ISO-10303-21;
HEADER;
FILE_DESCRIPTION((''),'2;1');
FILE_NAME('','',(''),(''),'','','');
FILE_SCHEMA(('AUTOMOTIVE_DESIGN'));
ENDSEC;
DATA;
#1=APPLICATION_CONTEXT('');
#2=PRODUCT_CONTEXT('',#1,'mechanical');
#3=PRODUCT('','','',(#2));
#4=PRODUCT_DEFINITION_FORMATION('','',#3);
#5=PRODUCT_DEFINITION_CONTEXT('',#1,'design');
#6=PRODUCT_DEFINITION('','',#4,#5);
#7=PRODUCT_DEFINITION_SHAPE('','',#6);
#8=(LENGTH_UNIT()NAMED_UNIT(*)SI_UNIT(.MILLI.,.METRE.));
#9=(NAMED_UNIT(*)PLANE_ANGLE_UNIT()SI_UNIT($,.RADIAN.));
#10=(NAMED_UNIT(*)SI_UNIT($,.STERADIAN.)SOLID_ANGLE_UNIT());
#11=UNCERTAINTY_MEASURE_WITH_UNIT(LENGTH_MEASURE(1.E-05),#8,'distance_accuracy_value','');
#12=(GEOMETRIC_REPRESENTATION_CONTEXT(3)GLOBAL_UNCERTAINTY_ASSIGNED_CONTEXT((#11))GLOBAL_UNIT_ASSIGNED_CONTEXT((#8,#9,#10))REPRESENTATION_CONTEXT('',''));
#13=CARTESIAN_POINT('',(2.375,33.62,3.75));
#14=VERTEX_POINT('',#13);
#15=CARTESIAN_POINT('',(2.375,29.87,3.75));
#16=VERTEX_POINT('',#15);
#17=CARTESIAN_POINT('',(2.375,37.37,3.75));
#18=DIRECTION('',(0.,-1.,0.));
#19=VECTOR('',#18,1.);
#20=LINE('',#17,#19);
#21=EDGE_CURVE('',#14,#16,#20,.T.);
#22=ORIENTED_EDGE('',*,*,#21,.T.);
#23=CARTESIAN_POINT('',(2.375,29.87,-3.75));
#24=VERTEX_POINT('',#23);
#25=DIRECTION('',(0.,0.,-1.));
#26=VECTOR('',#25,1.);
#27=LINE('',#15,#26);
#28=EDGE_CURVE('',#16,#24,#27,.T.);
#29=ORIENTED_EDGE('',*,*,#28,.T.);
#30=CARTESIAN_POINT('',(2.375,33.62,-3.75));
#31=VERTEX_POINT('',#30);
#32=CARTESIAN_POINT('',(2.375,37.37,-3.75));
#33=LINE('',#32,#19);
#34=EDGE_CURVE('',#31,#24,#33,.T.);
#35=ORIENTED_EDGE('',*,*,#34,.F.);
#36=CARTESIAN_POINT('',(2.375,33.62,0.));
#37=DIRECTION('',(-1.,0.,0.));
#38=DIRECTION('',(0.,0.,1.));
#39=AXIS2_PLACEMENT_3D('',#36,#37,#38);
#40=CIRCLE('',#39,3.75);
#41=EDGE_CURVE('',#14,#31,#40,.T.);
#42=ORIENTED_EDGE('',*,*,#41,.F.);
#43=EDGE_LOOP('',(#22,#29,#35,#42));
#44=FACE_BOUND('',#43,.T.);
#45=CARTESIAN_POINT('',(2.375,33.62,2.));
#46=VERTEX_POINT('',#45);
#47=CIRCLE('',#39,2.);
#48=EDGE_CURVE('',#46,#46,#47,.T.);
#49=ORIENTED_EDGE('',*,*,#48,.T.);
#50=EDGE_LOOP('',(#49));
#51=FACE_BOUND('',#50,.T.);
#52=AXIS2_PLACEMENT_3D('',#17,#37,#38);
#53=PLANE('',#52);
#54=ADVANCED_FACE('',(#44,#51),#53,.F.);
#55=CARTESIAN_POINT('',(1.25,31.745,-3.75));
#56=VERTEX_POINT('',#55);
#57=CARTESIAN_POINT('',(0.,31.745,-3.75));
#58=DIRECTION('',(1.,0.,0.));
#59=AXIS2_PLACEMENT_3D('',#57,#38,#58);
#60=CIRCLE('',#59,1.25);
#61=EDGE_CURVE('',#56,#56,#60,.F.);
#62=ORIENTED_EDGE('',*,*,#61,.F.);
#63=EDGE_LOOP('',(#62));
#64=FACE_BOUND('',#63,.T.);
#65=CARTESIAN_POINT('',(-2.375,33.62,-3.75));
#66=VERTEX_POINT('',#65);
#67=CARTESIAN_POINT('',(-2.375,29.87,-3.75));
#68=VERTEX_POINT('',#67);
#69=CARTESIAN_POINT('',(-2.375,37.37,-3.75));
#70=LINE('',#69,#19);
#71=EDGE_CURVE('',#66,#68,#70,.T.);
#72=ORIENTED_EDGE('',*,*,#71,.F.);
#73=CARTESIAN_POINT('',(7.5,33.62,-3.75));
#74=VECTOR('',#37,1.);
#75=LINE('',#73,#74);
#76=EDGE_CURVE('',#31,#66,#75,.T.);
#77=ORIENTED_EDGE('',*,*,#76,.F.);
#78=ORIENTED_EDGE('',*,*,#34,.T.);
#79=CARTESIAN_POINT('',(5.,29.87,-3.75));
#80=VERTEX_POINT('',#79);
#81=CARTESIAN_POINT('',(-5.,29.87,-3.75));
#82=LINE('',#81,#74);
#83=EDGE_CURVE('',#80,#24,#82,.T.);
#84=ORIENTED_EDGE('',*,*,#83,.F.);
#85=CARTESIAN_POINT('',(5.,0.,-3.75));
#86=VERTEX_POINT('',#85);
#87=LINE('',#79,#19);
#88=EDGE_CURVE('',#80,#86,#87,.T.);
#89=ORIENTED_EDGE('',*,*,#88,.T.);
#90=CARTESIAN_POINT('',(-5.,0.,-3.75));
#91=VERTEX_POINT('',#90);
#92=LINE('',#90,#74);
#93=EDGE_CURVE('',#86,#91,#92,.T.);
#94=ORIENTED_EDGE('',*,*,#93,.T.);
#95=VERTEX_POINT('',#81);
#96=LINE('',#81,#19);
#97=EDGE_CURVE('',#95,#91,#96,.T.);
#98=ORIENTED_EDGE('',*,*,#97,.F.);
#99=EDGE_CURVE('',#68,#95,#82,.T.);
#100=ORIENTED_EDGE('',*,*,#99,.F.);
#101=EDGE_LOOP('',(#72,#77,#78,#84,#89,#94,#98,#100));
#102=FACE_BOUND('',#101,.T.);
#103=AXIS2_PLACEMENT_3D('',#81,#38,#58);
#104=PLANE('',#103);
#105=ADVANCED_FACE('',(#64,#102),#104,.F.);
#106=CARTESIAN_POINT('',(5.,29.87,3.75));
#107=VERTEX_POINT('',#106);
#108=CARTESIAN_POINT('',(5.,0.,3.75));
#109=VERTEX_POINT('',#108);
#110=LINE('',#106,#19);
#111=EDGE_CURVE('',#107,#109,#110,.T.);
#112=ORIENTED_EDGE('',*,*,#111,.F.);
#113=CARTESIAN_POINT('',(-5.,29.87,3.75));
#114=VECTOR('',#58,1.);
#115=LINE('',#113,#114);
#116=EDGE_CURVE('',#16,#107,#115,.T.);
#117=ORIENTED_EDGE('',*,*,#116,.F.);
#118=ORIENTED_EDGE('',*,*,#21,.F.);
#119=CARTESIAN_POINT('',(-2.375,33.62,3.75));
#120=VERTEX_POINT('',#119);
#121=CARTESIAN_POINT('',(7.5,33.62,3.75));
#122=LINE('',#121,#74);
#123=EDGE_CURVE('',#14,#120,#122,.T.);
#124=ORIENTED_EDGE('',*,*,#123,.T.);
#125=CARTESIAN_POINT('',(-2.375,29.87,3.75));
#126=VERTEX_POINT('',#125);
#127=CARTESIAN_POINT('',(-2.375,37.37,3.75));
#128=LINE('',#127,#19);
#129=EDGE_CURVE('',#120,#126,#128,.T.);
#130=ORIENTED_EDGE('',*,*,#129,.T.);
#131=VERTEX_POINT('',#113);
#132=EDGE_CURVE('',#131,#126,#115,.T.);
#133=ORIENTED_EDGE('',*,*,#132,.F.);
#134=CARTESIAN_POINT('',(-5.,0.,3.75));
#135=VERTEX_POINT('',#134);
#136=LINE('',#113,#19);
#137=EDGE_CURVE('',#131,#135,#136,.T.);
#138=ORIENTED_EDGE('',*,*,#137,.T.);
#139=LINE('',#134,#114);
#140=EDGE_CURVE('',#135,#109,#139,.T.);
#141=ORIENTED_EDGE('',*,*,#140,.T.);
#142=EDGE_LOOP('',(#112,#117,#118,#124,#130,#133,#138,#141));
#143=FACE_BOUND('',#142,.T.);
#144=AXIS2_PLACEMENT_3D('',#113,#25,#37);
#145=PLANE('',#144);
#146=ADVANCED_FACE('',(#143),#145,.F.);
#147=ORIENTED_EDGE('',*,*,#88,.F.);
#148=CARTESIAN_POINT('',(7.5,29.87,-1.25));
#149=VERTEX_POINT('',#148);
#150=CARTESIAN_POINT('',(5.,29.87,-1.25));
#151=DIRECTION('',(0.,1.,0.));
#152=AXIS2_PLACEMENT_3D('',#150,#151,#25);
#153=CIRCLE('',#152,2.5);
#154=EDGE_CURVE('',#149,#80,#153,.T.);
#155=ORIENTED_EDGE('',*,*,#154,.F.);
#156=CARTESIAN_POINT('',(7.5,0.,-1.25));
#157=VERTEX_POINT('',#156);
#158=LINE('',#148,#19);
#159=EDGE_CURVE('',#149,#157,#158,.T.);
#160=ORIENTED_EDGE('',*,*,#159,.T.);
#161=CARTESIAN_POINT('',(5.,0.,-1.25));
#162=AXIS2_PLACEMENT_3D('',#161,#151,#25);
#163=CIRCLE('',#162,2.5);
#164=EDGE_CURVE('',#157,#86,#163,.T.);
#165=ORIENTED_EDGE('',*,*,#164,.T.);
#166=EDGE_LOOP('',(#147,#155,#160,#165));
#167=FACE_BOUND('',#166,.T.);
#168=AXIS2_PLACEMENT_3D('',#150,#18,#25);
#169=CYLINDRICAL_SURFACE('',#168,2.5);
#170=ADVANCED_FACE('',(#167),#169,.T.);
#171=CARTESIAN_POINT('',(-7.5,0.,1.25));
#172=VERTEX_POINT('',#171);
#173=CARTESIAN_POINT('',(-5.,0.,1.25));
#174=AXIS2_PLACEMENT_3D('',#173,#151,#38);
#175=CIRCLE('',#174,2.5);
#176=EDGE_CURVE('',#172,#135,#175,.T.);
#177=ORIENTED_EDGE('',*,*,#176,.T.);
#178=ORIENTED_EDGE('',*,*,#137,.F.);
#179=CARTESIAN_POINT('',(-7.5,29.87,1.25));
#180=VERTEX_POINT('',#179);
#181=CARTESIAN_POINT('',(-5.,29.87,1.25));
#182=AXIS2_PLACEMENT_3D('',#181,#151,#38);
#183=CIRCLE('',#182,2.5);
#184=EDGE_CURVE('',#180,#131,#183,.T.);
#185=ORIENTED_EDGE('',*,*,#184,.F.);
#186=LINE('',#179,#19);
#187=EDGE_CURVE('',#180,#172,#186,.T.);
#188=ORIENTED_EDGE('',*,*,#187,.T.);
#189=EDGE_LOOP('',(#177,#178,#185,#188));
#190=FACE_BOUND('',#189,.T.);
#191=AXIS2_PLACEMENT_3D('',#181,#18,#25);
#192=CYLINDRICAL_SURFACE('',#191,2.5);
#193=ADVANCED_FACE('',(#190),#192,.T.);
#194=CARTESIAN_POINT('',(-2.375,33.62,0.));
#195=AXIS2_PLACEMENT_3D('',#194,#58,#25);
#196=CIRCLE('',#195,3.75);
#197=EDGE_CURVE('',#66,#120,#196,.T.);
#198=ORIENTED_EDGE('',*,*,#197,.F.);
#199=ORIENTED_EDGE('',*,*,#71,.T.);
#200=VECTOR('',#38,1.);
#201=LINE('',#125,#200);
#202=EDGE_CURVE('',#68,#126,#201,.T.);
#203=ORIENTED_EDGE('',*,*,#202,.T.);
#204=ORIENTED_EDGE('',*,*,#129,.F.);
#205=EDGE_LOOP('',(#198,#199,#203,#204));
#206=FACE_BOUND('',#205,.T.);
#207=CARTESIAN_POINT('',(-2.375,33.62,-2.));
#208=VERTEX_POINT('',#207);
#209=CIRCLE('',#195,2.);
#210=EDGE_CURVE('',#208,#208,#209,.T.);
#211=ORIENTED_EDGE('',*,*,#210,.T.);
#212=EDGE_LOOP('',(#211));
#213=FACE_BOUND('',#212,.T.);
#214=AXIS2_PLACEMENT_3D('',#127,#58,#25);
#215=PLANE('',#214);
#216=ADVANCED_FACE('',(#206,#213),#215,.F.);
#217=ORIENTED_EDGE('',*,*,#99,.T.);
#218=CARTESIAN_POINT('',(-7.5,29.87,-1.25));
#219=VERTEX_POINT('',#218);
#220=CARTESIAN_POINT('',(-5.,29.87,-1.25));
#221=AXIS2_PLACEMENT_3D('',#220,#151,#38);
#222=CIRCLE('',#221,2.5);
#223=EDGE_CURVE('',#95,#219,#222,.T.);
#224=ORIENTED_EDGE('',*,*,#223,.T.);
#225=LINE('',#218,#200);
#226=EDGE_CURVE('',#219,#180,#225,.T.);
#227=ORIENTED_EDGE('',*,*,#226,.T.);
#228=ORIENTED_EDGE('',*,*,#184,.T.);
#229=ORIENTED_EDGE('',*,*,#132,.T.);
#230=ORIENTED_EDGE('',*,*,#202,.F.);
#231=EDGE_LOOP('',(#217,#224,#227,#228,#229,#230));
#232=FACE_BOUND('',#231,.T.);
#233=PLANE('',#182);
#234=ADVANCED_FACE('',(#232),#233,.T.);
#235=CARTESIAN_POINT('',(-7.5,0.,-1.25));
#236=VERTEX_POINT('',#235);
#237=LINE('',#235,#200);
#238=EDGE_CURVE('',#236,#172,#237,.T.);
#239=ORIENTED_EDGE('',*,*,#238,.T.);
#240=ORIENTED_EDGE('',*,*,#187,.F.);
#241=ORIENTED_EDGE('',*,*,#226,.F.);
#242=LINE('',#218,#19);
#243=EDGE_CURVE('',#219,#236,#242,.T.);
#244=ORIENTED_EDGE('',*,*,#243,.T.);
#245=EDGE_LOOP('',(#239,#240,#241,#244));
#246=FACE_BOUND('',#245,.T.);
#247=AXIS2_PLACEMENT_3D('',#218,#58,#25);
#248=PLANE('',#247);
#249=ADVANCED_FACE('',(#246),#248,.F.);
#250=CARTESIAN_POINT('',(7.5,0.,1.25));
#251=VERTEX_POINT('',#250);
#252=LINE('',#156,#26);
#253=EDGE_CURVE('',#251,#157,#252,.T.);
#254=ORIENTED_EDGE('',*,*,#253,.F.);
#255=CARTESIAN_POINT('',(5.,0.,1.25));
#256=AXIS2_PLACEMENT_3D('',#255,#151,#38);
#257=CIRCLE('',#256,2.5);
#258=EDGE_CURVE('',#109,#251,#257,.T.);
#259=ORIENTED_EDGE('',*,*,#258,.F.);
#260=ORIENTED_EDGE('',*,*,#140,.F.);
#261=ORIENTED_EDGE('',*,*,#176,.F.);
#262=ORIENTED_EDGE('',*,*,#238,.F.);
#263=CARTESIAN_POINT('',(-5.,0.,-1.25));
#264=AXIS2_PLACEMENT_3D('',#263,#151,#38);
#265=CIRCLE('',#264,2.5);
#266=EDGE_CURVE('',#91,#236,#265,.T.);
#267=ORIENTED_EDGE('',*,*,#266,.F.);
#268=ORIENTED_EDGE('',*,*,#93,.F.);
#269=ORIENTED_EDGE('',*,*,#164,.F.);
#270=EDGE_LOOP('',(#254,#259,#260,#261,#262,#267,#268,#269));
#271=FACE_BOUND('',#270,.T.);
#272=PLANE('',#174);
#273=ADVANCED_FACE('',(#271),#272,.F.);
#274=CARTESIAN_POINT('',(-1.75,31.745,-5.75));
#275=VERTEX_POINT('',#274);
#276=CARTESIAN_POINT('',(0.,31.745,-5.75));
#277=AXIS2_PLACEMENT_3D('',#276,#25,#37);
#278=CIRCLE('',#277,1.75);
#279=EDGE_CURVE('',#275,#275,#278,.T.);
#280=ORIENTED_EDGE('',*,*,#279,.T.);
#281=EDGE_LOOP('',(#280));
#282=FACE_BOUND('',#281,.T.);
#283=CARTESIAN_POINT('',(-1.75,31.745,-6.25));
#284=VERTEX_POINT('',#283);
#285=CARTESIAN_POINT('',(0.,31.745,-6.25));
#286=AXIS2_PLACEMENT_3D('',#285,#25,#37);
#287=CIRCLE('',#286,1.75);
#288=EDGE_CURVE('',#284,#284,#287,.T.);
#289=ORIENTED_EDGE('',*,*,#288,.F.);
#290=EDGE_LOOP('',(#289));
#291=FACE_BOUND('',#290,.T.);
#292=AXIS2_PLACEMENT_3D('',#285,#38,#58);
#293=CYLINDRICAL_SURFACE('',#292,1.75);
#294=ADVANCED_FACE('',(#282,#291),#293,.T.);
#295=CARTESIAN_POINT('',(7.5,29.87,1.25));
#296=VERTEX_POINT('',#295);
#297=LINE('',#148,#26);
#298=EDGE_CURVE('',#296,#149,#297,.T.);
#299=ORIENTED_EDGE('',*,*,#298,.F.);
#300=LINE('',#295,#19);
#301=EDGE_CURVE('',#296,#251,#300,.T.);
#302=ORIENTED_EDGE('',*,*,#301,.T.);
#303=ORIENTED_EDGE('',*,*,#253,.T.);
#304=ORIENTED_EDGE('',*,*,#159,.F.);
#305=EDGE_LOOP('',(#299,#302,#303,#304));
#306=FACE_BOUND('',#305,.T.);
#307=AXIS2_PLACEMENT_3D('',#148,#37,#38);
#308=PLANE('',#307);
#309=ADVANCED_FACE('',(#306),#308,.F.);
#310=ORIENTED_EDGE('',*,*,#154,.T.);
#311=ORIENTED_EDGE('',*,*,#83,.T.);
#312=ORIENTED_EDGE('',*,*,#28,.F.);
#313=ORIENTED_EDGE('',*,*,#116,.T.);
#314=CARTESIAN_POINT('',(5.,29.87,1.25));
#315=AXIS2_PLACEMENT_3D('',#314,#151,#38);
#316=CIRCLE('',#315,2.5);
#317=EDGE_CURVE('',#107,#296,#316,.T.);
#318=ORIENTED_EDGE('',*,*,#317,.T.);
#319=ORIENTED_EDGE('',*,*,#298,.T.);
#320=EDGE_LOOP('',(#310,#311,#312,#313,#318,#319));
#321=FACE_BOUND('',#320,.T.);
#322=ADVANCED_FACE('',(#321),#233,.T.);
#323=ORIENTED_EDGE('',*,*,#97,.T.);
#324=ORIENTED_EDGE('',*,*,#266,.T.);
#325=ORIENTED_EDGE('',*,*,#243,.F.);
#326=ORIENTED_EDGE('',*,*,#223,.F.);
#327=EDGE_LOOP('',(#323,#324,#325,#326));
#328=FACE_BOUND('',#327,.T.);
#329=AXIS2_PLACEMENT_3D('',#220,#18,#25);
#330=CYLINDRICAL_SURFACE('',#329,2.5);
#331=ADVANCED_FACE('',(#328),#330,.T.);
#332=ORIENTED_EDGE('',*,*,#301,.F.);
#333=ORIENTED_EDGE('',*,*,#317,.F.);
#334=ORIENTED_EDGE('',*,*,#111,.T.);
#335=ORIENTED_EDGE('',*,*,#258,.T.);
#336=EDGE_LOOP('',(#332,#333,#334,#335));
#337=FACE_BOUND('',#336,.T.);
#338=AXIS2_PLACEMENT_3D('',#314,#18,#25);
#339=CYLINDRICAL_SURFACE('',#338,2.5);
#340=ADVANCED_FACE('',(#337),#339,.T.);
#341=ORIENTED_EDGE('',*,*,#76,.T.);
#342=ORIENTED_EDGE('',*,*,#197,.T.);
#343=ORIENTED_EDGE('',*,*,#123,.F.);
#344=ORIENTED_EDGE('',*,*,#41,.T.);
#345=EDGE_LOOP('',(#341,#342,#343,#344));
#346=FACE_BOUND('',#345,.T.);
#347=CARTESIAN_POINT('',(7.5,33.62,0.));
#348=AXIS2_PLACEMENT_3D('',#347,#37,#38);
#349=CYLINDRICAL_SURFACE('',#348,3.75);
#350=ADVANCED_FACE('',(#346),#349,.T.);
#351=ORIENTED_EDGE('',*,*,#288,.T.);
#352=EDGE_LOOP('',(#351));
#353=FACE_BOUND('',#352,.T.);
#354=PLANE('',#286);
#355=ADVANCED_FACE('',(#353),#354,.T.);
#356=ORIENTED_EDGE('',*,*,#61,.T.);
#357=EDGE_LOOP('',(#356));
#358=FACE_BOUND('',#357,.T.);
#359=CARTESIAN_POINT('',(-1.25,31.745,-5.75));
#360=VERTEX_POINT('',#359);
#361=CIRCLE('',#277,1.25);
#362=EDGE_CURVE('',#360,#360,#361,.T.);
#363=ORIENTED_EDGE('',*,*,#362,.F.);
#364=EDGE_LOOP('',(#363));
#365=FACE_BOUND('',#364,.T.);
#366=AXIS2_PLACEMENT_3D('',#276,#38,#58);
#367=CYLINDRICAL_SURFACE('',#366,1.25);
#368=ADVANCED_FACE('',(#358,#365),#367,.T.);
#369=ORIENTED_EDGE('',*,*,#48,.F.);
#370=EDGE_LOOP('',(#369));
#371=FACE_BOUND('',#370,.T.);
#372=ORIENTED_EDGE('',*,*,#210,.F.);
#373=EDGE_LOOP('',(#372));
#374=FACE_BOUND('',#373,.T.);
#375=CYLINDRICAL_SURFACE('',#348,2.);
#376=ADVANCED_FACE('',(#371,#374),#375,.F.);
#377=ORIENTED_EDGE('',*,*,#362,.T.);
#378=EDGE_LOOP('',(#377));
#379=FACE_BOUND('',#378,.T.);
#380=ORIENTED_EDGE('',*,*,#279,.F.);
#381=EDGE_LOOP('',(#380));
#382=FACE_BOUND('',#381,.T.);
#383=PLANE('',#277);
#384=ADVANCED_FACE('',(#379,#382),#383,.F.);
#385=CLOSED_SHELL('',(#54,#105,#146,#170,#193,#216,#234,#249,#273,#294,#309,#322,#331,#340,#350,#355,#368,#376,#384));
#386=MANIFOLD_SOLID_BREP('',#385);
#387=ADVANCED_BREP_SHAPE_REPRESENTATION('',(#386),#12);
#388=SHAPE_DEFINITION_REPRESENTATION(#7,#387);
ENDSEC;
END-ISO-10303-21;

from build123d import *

# Parameters (mm, degrees)
BOSS_EXTRUDE1_DEPTH     = 29.87
SKETCH2_W               = 4.75
SKETCH2_H               = 7.5
BOSS_EXTRUDE2_DEPTH     = 7.5
CUT_EXTRUDE1_DEPTH      = 39.834199168
CUT_EXTRUDE1_DEPTH_BACK = 39.834199168
SKETCH3_R               = 2
SKETCH4_R               = 1.25
BOSS_EXTRUDE3_DEPTH     = 2
SKETCH5_R               = 1.75
BOSS_EXTRUDE4_DEPTH     = 0.5


with BuildPart() as part:
    # Sketch1 → Boss-Extrude1 (new body)
    with BuildSketch(Plane(origin=(0, 0, 0), x_dir=(1, 0, 0), z_dir=(0, 1, 0))):
        with BuildLine():
            Line((-5, 3.75), (5, 3.75))
            ThreePointArc((5, 3.75), (6.767766953, 3.017766953), (7.5, 1.25))
            Line((7.5, 1.25), (7.5, -1.25))
            ThreePointArc((7.5, -1.25), (6.767766953, -3.017766953), (5, -3.75))
            Line((5, -3.75), (-5, -3.75))
            ThreePointArc((-5, -3.75), (-6.767766953, -3.017766953), (-7.5, -1.25))
            Line((-7.5, -1.25), (-7.5, 1.25))
            ThreePointArc((-7.5, 1.25), (-6.767766953, 3.017766953), (-5, 3.75))
        make_face()
    extrude(amount=BOSS_EXTRUDE1_DEPTH)

    # Sketch2 → Boss-Extrude2 (add)
    with BuildSketch(Plane(origin=(0, 29.87, 0), x_dir=(1, 0, 0), z_dir=(0, 1, 0))):
        Rectangle(SKETCH2_W, SKETCH2_H)
    extrude(amount=BOSS_EXTRUDE2_DEPTH)

    # Sketch3 → Cut-Extrude1 (cut, two sides: drawn at the far end of the back side and taken through both)
    with BuildSketch(Plane.ZY.offset(2.375).offset(-CUT_EXTRUDE1_DEPTH_BACK)):
        with BuildLine():
            Line((-3.75, 37.37), (-3.75, 33.62))
            ThreePointArc((-3.75, 33.62), (-2.651650429, 36.271650429), (0, 37.37))
            Line((0, 37.37), (-3.75, 37.37))
        make_face()
        with BuildLine():
            ThreePointArc((0, 37.37), (2.651650429, 36.271650429), (3.75, 33.62))
            Line((3.75, 33.62), (3.75, 37.37))
            Line((3.75, 37.37), (0, 37.37))
        make_face()
        with Locations((0, 33.62)):
            Circle(SKETCH3_R)
    extrude(amount=CUT_EXTRUDE1_DEPTH + CUT_EXTRUDE1_DEPTH_BACK, mode=Mode.SUBTRACT)

    # Sketch4 → Boss-Extrude3 (add)
    with BuildSketch(Plane(origin=(0, 0, -3.75), x_dir=(-1, 0, 0), z_dir=(0, 0, -1))):
        with Locations(Location((0, 31.745, 0), (0, 0, 180))):
            Circle(SKETCH4_R)
    extrude(amount=BOSS_EXTRUDE3_DEPTH)

    # Sketch5 → Boss-Extrude4 (add)
    with BuildSketch(Plane(origin=(0, 0, -5.75), x_dir=(-1, 0, 0), z_dir=(0, 0, -1))):
        with Locations((0, 31.745)):
            Circle(SKETCH5_R)
    extrude(amount=BOSS_EXTRUDE4_DEPTH)


solid = part.part
